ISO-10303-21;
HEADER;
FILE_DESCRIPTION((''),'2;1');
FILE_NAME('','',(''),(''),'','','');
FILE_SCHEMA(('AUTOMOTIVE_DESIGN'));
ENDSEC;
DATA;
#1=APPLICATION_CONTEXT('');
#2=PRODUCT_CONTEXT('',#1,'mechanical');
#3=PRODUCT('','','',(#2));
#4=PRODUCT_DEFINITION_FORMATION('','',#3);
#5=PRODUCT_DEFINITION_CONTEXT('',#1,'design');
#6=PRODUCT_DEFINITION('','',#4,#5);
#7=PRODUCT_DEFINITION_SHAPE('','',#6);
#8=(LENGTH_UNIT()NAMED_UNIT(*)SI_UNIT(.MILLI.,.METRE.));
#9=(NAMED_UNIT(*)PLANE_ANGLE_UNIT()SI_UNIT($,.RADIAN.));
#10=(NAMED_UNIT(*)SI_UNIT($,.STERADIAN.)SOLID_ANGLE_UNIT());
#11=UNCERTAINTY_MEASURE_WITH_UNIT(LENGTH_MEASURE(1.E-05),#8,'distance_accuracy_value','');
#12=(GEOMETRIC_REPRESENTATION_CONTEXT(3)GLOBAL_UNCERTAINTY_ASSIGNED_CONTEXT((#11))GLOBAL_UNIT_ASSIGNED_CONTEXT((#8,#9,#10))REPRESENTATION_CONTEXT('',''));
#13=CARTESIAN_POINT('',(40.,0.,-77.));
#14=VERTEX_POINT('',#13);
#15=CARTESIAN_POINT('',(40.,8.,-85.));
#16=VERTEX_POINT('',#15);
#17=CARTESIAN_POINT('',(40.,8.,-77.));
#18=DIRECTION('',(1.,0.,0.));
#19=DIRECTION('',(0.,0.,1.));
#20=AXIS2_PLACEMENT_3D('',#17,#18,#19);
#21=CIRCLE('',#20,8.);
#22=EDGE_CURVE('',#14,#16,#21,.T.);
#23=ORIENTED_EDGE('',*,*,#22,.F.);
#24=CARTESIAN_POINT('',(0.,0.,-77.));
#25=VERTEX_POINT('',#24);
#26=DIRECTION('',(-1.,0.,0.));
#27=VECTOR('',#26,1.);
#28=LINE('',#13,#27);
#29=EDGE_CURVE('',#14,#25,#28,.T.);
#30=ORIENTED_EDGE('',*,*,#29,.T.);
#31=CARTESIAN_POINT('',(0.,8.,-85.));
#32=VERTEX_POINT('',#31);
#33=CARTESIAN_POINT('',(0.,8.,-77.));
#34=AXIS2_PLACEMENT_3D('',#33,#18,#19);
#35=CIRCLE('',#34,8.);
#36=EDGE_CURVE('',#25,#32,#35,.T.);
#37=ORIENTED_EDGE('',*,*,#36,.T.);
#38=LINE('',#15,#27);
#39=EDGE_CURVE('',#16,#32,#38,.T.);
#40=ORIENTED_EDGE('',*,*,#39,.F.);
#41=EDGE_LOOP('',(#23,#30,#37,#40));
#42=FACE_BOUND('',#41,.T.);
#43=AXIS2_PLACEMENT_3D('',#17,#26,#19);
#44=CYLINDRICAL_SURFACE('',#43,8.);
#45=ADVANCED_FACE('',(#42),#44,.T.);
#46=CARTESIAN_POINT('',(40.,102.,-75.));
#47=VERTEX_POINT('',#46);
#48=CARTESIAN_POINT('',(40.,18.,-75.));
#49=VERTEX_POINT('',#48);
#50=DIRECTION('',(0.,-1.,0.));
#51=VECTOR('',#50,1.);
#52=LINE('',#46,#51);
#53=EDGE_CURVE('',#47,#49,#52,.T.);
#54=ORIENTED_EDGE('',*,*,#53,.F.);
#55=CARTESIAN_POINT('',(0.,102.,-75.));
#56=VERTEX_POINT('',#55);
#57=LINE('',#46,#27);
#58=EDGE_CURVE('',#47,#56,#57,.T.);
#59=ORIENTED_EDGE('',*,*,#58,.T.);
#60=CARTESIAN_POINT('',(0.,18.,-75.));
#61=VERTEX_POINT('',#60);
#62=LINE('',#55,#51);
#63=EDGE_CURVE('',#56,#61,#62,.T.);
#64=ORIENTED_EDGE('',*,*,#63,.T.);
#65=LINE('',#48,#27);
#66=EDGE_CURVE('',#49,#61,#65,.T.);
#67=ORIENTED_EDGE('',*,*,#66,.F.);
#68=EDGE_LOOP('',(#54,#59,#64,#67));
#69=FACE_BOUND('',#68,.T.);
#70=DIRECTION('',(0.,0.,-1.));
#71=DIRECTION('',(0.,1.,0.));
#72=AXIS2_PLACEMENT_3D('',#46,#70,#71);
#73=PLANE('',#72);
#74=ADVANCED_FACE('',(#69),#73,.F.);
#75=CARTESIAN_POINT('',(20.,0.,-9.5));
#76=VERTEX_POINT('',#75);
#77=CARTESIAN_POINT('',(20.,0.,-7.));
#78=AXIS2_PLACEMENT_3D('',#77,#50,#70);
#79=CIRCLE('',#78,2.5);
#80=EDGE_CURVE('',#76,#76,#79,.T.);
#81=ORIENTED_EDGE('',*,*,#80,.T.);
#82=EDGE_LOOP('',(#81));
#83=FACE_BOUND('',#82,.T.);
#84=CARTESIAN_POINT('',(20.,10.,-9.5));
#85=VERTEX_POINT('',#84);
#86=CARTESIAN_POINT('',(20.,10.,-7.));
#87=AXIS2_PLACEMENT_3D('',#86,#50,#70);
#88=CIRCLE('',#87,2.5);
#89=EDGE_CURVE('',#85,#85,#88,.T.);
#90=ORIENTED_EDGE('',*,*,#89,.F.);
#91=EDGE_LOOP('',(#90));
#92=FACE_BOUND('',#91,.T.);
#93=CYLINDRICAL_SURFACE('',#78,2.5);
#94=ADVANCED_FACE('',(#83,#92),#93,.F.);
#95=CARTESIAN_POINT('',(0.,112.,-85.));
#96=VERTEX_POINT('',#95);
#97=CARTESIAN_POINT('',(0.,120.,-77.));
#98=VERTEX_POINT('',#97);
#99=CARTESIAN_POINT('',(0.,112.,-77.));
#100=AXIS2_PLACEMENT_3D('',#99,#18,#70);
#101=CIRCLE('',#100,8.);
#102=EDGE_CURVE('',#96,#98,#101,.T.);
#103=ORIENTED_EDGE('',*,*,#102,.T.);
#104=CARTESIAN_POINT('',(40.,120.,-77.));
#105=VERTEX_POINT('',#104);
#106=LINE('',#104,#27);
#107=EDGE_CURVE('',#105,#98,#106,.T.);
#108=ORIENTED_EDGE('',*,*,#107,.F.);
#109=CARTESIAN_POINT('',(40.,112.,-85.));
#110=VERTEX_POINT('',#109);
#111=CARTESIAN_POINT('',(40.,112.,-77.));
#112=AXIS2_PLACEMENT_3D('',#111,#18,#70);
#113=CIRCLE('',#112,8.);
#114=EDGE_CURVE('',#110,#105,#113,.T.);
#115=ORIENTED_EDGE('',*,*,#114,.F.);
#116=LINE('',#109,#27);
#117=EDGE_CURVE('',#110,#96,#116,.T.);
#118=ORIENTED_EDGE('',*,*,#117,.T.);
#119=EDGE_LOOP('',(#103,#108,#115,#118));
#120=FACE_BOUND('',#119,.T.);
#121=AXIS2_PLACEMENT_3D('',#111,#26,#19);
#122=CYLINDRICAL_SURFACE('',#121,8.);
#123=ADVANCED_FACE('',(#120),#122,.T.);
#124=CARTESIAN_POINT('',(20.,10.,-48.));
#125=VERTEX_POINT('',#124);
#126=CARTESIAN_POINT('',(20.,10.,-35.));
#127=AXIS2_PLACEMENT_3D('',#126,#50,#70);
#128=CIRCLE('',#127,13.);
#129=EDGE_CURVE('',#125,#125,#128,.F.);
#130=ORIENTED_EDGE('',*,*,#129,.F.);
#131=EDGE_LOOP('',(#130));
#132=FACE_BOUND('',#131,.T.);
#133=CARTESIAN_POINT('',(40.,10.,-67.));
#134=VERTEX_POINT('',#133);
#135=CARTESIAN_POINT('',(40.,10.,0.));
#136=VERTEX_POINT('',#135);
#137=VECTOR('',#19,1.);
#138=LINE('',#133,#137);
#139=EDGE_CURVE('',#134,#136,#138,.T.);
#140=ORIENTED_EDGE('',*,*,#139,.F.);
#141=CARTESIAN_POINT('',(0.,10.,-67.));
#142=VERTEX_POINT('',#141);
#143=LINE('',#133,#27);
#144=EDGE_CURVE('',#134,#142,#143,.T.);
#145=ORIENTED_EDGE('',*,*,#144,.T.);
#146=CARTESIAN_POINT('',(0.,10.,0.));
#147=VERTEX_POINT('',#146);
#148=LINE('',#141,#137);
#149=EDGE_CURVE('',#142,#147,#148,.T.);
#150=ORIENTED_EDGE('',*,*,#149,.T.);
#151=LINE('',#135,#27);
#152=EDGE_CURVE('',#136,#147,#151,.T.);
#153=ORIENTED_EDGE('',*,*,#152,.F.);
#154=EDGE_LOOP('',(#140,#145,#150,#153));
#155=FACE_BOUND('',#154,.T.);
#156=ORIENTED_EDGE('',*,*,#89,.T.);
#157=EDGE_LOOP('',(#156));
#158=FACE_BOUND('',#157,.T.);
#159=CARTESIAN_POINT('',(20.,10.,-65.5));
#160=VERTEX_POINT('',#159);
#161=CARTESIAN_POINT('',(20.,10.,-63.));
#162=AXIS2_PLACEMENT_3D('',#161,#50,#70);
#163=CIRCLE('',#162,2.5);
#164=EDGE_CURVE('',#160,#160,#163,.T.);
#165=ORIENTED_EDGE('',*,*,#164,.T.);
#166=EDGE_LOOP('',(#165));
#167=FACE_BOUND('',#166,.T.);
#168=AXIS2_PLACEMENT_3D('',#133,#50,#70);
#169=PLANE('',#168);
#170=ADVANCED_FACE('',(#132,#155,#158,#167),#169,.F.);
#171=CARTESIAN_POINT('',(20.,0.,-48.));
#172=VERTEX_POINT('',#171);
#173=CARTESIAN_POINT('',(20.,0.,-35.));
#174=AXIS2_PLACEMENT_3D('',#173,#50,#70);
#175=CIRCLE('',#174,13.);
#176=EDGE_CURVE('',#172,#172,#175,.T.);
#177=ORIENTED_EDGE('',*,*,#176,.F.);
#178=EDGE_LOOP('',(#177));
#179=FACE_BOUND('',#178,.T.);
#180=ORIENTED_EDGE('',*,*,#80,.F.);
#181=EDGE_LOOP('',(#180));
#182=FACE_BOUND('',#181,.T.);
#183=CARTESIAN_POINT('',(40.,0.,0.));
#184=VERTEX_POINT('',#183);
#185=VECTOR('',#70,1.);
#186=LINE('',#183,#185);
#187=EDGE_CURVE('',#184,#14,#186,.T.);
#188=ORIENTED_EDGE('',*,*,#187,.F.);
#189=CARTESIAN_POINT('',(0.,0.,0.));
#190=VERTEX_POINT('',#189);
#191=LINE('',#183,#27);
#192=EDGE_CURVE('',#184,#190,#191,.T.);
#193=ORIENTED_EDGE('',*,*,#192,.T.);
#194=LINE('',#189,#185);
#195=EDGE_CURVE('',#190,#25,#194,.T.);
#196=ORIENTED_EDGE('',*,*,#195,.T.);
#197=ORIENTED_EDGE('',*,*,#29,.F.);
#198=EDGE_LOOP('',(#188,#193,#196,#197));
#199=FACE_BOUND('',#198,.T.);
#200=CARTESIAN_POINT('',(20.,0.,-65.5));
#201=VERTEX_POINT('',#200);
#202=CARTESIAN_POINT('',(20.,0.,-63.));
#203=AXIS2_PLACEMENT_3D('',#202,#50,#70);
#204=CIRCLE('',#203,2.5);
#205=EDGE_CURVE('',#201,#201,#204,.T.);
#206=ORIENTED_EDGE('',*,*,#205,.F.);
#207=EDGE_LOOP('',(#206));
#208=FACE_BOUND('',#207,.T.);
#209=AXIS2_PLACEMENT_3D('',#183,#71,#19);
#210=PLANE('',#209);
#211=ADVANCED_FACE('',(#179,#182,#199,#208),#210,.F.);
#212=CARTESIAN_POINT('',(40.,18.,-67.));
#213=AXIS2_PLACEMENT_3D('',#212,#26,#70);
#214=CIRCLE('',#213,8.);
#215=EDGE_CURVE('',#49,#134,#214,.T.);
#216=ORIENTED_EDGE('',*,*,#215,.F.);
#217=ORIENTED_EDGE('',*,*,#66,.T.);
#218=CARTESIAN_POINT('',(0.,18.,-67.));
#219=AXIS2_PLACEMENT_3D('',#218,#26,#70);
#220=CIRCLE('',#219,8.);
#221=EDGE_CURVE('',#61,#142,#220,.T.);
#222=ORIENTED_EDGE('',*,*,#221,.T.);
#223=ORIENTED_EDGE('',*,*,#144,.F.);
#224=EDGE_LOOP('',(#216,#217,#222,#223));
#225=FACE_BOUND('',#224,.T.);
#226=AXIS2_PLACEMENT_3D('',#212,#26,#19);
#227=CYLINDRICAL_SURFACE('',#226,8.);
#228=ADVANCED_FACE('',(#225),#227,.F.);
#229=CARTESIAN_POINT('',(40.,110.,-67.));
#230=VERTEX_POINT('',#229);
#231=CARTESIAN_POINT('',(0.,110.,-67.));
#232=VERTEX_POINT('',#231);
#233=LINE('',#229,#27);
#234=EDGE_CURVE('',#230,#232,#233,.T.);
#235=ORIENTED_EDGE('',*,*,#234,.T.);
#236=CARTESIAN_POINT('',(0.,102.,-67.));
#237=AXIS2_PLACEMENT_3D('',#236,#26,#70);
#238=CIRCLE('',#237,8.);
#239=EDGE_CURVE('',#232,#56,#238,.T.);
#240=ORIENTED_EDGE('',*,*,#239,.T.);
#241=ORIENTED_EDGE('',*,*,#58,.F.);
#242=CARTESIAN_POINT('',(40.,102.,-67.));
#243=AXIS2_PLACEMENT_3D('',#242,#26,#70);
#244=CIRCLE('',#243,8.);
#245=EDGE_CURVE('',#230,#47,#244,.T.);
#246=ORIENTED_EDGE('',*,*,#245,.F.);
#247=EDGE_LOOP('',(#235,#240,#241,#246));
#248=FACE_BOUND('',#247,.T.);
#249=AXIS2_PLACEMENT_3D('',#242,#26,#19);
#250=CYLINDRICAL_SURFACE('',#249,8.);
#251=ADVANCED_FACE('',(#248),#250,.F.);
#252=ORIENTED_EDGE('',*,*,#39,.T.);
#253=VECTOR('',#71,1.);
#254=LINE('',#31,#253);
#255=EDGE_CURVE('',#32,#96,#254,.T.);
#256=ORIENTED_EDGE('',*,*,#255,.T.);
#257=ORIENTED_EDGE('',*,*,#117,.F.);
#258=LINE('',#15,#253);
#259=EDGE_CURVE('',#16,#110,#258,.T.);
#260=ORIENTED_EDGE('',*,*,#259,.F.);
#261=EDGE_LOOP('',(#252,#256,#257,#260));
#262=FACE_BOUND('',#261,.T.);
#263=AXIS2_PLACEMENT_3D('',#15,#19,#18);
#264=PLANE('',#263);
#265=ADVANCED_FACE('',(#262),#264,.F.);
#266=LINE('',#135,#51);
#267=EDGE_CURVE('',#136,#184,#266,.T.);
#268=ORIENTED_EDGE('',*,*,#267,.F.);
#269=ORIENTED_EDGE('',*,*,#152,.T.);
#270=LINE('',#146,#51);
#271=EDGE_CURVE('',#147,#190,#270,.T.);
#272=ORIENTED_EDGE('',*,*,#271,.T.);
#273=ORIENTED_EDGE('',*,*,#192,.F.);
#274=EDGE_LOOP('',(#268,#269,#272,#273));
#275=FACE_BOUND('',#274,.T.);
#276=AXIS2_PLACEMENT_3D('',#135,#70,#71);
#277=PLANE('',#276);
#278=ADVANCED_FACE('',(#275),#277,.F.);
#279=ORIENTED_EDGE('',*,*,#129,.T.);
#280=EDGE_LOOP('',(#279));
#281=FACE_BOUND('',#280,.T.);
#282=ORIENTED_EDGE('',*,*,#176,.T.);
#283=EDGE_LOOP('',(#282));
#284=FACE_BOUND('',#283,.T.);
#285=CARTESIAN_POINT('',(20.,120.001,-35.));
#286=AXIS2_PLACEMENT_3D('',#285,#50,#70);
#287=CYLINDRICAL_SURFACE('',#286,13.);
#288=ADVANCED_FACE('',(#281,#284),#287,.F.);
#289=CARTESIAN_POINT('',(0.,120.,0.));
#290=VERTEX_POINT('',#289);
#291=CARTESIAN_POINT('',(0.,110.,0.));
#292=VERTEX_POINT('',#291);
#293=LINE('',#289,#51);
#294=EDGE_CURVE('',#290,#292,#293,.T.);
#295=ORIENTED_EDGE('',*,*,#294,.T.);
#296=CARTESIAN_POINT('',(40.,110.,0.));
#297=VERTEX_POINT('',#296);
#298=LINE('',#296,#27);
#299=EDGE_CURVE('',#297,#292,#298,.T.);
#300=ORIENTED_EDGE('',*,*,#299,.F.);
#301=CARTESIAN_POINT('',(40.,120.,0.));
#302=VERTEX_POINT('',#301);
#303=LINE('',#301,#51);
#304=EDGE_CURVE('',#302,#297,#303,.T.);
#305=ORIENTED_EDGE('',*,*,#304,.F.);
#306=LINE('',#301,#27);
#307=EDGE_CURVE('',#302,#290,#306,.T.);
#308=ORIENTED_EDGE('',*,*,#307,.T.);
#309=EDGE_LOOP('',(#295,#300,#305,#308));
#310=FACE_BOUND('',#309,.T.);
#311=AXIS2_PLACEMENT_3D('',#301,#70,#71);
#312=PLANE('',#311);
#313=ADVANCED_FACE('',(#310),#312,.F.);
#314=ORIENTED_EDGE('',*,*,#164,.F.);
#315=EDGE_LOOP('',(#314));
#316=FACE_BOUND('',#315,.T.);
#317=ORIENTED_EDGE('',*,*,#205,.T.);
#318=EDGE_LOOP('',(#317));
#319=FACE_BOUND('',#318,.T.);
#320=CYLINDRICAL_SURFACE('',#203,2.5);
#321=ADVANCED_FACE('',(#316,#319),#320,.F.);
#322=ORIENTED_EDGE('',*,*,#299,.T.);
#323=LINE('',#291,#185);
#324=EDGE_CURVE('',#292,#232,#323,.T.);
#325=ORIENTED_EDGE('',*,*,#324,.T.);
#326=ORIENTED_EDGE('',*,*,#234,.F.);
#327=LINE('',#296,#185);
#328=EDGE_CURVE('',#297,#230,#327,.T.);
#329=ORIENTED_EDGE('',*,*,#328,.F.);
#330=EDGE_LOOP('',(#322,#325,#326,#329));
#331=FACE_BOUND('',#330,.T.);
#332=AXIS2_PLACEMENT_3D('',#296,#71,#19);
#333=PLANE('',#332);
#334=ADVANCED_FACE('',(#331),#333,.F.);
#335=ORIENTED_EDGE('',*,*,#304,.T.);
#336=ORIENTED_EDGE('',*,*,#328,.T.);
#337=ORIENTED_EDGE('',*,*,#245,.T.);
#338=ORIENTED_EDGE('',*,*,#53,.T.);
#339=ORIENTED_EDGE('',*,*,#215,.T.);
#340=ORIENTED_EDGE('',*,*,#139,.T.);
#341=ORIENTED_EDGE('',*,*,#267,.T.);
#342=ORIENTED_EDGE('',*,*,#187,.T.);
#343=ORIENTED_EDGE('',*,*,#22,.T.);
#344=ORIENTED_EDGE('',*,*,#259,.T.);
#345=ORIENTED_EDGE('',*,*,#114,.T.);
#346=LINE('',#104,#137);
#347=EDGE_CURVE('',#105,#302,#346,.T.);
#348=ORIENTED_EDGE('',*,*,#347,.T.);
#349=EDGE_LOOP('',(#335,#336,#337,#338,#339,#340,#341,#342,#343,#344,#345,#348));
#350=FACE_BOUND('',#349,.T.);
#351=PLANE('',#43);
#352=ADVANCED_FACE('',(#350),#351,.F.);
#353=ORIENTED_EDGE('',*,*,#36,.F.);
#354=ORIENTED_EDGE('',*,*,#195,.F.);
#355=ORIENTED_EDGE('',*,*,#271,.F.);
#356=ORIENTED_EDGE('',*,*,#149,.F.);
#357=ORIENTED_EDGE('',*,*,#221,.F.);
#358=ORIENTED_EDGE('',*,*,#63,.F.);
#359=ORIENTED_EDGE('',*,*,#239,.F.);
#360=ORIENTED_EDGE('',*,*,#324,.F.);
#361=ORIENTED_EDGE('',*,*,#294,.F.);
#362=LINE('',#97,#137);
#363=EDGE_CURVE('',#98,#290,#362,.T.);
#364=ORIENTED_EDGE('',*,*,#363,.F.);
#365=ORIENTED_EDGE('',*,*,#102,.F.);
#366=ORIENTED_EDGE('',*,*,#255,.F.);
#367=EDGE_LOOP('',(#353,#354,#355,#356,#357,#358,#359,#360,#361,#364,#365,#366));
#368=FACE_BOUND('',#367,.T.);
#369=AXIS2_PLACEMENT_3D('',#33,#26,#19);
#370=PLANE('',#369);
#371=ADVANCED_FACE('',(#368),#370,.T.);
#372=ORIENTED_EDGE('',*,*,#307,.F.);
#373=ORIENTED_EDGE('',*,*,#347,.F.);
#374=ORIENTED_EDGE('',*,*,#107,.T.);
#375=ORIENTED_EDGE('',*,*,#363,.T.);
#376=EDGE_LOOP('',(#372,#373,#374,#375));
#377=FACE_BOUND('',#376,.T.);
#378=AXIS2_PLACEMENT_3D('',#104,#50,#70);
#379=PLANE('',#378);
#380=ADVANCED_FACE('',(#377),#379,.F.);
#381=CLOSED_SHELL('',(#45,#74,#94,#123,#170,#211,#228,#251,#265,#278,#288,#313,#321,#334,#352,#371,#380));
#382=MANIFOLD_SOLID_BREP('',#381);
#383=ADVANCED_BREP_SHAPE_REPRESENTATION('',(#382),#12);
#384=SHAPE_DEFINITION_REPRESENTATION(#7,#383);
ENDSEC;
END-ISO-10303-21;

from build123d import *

# Parameters (mm, degrees)
EXTRUDE_1_DEPTH        = 40
CUT_EXTRUDE_1_REACH    = 122
SKETCH_5_R             = 13
HOLE_WIZARD_M6_1_D     = 5
HOLE_WIZARD_M6_1_DEPTH = 10


with BuildPart() as part:
    # 草图1 → 凸台-拉伸1 (new body)
    with BuildSketch(Plane(origin=(0, 0, 0), x_dir=(0, 0, -1), z_dir=(1, 0, 0))):
        with BuildLine():
            Line((0, 0), (77, 0))
            ThreePointArc((77, 0), (82.656854249, 2.343145751), (85, 8))
            Line((85, 8), (85, 112))
            ThreePointArc((85, 112), (82.656854249, 117.656854249), (77, 120))
            Line((77, 120), (0, 120))
            Line((0, 120), (0, 110))
            Line((0, 110), (67, 110))
            ThreePointArc((67, 110), (72.656854249, 107.656854249), (75, 102))
            Line((75, 102), (75, 18))
            ThreePointArc((75, 18), (72.656854249, 12.343145751), (67, 10))
            Line((67, 10), (0, 10))
            Line((0, 10), (0, 0))
        make_face()
    extrude(amount=EXTRUDE_1_DEPTH)

    # 草图5 → 切除-拉伸1 (cut, up to next)
    with BuildSketch(Plane.XZ, mode=Mode.PRIVATE) as cut_extrude_1_sk1:
        with Locations((20, -35)):
            Circle(SKETCH_5_R)
    cut_extrude_1_tool1 = extrude(cut_extrude_1_sk1.sketch, amount=-CUT_EXTRUDE_1_REACH, mode=Mode.PRIVATE) & part.part
    add(cut_extrude_1_tool1.solids().sort_by_distance((20, 0, -35))[0], mode=Mode.SUBTRACT)

    # M6 螺纹孔1
    with Locations(Plane(origin=(20, 0, -7), x_dir=(0, 0, -1), z_dir=(0, -1, 0))):
        with Locations((0, 0), (56, 0)):
            Hole(HOLE_WIZARD_M6_1_D / 2, depth=HOLE_WIZARD_M6_1_DEPTH)


solid = part.part
